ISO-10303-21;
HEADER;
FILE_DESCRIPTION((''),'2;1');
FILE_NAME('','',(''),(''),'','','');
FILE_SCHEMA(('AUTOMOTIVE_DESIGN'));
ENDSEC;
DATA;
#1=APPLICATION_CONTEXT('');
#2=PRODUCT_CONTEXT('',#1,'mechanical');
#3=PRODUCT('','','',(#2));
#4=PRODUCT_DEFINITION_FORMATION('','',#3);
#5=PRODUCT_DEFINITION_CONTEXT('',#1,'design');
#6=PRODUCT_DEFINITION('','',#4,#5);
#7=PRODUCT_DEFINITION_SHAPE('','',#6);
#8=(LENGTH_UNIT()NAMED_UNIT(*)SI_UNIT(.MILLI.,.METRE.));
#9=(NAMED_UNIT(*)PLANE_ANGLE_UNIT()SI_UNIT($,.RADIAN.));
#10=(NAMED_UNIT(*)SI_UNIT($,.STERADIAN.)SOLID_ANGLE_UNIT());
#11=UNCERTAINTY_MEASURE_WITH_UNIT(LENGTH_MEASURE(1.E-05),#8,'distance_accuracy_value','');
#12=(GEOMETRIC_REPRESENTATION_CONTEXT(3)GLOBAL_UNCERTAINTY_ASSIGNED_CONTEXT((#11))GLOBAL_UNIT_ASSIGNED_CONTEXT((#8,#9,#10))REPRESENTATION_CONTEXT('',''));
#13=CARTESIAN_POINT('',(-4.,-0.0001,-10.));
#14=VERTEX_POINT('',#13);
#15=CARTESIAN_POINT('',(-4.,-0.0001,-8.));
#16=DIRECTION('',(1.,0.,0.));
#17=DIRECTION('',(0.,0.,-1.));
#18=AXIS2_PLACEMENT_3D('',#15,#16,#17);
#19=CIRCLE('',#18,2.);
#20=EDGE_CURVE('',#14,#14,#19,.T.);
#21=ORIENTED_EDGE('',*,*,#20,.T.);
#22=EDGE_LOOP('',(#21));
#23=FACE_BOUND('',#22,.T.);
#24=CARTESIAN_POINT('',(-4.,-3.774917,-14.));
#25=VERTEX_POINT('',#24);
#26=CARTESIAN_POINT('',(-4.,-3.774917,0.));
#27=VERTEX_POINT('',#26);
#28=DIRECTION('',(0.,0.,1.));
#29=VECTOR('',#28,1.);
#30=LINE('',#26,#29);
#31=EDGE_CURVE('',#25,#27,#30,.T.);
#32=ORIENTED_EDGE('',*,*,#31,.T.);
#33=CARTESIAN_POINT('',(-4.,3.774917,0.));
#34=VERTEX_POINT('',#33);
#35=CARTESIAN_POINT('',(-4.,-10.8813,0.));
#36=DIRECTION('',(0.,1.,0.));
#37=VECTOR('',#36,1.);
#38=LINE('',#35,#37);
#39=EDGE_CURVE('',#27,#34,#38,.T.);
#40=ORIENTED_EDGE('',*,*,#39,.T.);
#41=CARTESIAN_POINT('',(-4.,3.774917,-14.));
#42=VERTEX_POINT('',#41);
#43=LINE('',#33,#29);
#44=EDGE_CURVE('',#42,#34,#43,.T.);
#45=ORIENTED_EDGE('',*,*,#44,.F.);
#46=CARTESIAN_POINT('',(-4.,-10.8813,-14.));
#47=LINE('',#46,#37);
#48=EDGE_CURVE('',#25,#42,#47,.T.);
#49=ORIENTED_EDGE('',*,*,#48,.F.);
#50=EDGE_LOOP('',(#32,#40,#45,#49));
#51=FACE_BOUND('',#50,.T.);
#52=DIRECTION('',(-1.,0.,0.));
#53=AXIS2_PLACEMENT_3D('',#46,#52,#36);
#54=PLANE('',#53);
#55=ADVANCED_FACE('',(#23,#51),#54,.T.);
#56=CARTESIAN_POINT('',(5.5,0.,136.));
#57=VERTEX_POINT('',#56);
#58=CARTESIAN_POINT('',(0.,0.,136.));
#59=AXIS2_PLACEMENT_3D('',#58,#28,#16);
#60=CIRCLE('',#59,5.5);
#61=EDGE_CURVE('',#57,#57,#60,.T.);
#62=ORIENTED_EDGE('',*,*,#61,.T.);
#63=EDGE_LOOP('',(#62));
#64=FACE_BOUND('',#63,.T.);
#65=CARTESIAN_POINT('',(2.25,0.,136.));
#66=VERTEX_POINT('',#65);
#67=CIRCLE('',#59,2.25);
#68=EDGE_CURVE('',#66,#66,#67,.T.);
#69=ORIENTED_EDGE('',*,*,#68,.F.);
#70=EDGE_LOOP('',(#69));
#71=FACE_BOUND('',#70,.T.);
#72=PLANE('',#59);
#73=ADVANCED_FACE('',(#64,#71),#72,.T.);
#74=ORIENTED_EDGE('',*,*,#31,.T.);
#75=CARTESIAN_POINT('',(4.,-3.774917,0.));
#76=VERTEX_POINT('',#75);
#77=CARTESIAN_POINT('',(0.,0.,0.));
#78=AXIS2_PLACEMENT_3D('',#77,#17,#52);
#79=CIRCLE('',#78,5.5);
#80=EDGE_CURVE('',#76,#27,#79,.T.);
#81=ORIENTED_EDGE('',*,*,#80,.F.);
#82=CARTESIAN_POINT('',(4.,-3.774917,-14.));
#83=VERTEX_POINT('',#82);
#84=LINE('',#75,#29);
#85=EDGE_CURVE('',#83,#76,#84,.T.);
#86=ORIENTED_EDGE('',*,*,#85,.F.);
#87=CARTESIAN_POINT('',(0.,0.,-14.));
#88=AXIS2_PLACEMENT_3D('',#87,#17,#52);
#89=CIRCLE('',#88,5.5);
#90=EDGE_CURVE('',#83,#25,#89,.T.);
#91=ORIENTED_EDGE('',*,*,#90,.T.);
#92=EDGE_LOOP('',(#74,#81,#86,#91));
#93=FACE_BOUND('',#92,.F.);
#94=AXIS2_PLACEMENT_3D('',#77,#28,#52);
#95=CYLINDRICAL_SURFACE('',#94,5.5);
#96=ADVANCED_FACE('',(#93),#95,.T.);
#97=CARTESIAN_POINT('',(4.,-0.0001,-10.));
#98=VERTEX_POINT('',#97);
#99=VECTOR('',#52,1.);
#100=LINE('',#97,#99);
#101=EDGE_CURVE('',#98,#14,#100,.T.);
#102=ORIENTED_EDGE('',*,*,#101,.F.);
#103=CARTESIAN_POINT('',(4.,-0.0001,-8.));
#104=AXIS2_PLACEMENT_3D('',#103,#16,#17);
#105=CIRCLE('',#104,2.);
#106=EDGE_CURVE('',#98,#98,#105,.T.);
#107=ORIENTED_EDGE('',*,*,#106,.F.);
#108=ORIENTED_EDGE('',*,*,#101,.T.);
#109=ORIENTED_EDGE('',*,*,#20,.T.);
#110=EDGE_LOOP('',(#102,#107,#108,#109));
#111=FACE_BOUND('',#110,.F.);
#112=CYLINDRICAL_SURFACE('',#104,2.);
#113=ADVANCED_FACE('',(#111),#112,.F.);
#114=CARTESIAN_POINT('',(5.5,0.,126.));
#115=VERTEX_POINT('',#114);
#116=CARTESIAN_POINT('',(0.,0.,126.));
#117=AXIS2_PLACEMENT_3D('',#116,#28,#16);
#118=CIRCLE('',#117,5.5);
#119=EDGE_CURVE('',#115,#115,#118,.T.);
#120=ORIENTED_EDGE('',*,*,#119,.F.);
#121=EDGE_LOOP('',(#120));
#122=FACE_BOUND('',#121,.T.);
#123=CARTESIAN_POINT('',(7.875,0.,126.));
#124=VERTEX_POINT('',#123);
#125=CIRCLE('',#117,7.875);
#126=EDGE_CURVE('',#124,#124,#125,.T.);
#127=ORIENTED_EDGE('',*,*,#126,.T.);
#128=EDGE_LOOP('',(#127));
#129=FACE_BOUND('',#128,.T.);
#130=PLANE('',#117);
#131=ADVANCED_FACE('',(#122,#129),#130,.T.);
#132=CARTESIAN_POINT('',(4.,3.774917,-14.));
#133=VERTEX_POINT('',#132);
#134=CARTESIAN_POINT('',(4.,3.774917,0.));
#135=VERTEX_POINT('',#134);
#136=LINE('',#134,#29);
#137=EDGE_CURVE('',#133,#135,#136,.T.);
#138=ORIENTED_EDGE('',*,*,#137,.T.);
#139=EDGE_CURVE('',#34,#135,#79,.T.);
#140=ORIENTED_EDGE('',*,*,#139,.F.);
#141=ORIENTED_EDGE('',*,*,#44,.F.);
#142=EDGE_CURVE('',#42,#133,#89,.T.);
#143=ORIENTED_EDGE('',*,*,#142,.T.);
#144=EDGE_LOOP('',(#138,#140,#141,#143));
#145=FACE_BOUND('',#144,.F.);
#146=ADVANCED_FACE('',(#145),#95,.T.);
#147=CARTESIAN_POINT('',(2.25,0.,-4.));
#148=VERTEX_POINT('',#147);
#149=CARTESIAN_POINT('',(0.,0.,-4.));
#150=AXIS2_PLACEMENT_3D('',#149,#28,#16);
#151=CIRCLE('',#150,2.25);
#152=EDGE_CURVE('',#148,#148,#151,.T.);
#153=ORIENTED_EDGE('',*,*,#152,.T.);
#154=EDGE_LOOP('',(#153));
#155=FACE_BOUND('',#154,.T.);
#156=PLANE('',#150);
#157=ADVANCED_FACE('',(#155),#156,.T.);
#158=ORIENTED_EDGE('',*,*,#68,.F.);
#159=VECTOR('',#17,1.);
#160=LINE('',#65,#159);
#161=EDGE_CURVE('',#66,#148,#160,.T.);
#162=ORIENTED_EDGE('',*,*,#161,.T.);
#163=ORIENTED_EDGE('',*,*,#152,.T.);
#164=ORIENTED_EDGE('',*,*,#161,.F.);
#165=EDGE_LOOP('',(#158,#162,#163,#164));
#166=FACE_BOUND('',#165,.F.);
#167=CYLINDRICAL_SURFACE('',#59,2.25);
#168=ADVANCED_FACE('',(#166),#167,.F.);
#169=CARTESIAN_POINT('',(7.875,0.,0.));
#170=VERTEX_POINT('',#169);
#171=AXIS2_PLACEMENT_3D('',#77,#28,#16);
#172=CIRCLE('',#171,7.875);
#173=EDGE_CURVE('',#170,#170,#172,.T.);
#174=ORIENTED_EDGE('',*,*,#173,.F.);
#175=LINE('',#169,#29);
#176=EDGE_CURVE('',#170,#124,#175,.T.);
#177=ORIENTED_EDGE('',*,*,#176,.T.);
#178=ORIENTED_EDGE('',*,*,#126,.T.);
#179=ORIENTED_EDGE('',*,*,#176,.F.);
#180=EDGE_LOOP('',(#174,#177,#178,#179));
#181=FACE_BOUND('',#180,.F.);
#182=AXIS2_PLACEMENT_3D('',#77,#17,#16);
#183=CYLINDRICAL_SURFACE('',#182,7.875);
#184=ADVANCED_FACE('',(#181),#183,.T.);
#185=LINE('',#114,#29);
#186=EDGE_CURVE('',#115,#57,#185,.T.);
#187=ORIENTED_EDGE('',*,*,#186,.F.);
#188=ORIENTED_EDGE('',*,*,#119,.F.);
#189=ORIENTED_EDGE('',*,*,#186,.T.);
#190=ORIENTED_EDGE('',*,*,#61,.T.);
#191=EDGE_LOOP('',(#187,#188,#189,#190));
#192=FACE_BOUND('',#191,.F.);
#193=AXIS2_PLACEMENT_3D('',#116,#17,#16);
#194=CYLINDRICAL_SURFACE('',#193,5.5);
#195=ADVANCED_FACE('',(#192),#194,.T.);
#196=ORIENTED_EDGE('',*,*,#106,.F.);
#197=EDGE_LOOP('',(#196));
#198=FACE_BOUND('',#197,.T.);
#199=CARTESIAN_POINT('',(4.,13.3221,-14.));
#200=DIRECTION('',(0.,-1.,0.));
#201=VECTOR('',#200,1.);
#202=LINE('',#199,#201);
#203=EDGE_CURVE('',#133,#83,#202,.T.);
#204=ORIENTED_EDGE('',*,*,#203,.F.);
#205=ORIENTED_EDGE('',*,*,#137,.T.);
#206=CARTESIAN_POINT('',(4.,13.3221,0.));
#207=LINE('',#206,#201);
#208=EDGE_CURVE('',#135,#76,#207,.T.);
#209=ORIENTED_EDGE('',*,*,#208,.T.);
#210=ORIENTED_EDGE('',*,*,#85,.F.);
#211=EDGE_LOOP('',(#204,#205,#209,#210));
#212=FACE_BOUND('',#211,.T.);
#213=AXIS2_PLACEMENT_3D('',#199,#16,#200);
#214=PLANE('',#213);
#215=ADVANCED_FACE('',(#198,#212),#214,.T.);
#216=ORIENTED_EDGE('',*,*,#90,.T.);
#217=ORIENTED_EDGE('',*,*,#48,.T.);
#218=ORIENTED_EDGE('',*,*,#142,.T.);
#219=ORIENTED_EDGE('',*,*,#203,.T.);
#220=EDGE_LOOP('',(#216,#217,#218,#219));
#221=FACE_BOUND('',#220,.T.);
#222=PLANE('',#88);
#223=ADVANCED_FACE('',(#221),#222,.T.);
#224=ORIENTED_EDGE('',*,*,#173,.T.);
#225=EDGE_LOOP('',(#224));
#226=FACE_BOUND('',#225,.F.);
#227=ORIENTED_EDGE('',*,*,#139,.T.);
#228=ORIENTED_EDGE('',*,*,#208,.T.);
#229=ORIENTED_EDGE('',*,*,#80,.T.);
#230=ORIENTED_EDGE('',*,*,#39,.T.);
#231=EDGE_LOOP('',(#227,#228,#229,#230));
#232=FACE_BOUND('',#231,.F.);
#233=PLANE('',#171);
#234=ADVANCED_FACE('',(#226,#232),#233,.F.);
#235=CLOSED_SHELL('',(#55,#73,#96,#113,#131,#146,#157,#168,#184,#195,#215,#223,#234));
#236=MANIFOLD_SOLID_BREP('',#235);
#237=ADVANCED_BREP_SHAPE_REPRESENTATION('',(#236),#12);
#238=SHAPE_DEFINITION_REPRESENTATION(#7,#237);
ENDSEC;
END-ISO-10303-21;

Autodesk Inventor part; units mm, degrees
ref_plane "YZ Plane" through (0, 0, 0) normal (1, 0, 0) x (0, 1, 0)
ref_plane "XZ Plane" through (0, 0, 0) normal (0, 1, 0) x (-1, 0, 0)
ref_plane "XY Plane" through (0, 0, 0) normal (0, 0, 1) x (1, 0, 0)
sketch "Sketch1" plane through (0, 0, 0) normal (0, 0, 1) x (1, 0, 0)
  circle A0 centre (0, 0) radius 7.875
  dimension "d0" = 15.75
extrude "Extrusion1" add sketch "Sketch1" along normal blind 126
sketch "Sketch2" plane through (0, 0, 126) normal (0, 0, 1) x (1, 0, 0)
  circle A0 centre (0, 0) radius 5.5
  dimension "d3" = 11
extrude "Extrusion2" add sketch "Sketch2" along normal blind 10
sketch "Sketch3" plane through (0, 0, 0) normal (0, 0, -1) x (-1, 0, 0)
  circle A0 centre (0, 0) radius 5.5
  dimension "d6" = 11
extrude "Extrusion3" add sketch "Sketch3" along normal blind 14
sketch "Sketch4" plane through (0, 0, -14) normal (0, 0, -1) x (-1, 0, 0)
  line L0 (4, 13.3221) -> (11.8644, 13.3221)
  line L1 (11.8644, 13.3221) -> (11.8644, -10.8813)
  line L2 (11.8644, -10.8813) -> (4, -10.8813)
  line L3 (4, -10.8813) -> (4, 13.3221)
  line L4 (-11.0508, 13.3221) -> (-4, 13.3221)
  line L5 (-4, 13.3221) -> (-4, -10.8813)
  line L6 (-4, -10.8813) -> (-11.0508, -10.8813)
  line L7 (-11.0508, -10.8813) -> (-11.0508, 13.3221)
  point P0 (0, 0)
  dimension "d9" = 8
  dimension "d10" = 4
extrude "Extrusion4" cut sketch "Sketch4" against normal up to surface (14 mm away)
sketch "Sketch5" plane through (4, -3.7749, -14) normal (1, 0, 0) x (0, 0, -1)
  circle A0 centre (-6, 3.7748) radius 2
  line L0 (0, 7.5498) -> (0, 0) projected
  line L1 (-14, 7.5498) -> (0, 7.5498) projected
  point P0 (-14, 3.7749)
  dimension "d13" = 4
  dimension "d14" = 6
  dimension "d15" = 3.775
extrude "Extrusion5" cut sketch "Sketch5" against normal up to next
sketch "Sketch7" plane through (0, 0, 136) normal (0, 0, 1) x (1, 0, 0)
  circle A0 centre (0, 0) radius 2.25
  dimension "d21" = 4.5
extrude "Extrusion7" cut sketch "Sketch7" against normal blind 140
properties part number "Small_piston" material "Aluminum 6061-AHC"
